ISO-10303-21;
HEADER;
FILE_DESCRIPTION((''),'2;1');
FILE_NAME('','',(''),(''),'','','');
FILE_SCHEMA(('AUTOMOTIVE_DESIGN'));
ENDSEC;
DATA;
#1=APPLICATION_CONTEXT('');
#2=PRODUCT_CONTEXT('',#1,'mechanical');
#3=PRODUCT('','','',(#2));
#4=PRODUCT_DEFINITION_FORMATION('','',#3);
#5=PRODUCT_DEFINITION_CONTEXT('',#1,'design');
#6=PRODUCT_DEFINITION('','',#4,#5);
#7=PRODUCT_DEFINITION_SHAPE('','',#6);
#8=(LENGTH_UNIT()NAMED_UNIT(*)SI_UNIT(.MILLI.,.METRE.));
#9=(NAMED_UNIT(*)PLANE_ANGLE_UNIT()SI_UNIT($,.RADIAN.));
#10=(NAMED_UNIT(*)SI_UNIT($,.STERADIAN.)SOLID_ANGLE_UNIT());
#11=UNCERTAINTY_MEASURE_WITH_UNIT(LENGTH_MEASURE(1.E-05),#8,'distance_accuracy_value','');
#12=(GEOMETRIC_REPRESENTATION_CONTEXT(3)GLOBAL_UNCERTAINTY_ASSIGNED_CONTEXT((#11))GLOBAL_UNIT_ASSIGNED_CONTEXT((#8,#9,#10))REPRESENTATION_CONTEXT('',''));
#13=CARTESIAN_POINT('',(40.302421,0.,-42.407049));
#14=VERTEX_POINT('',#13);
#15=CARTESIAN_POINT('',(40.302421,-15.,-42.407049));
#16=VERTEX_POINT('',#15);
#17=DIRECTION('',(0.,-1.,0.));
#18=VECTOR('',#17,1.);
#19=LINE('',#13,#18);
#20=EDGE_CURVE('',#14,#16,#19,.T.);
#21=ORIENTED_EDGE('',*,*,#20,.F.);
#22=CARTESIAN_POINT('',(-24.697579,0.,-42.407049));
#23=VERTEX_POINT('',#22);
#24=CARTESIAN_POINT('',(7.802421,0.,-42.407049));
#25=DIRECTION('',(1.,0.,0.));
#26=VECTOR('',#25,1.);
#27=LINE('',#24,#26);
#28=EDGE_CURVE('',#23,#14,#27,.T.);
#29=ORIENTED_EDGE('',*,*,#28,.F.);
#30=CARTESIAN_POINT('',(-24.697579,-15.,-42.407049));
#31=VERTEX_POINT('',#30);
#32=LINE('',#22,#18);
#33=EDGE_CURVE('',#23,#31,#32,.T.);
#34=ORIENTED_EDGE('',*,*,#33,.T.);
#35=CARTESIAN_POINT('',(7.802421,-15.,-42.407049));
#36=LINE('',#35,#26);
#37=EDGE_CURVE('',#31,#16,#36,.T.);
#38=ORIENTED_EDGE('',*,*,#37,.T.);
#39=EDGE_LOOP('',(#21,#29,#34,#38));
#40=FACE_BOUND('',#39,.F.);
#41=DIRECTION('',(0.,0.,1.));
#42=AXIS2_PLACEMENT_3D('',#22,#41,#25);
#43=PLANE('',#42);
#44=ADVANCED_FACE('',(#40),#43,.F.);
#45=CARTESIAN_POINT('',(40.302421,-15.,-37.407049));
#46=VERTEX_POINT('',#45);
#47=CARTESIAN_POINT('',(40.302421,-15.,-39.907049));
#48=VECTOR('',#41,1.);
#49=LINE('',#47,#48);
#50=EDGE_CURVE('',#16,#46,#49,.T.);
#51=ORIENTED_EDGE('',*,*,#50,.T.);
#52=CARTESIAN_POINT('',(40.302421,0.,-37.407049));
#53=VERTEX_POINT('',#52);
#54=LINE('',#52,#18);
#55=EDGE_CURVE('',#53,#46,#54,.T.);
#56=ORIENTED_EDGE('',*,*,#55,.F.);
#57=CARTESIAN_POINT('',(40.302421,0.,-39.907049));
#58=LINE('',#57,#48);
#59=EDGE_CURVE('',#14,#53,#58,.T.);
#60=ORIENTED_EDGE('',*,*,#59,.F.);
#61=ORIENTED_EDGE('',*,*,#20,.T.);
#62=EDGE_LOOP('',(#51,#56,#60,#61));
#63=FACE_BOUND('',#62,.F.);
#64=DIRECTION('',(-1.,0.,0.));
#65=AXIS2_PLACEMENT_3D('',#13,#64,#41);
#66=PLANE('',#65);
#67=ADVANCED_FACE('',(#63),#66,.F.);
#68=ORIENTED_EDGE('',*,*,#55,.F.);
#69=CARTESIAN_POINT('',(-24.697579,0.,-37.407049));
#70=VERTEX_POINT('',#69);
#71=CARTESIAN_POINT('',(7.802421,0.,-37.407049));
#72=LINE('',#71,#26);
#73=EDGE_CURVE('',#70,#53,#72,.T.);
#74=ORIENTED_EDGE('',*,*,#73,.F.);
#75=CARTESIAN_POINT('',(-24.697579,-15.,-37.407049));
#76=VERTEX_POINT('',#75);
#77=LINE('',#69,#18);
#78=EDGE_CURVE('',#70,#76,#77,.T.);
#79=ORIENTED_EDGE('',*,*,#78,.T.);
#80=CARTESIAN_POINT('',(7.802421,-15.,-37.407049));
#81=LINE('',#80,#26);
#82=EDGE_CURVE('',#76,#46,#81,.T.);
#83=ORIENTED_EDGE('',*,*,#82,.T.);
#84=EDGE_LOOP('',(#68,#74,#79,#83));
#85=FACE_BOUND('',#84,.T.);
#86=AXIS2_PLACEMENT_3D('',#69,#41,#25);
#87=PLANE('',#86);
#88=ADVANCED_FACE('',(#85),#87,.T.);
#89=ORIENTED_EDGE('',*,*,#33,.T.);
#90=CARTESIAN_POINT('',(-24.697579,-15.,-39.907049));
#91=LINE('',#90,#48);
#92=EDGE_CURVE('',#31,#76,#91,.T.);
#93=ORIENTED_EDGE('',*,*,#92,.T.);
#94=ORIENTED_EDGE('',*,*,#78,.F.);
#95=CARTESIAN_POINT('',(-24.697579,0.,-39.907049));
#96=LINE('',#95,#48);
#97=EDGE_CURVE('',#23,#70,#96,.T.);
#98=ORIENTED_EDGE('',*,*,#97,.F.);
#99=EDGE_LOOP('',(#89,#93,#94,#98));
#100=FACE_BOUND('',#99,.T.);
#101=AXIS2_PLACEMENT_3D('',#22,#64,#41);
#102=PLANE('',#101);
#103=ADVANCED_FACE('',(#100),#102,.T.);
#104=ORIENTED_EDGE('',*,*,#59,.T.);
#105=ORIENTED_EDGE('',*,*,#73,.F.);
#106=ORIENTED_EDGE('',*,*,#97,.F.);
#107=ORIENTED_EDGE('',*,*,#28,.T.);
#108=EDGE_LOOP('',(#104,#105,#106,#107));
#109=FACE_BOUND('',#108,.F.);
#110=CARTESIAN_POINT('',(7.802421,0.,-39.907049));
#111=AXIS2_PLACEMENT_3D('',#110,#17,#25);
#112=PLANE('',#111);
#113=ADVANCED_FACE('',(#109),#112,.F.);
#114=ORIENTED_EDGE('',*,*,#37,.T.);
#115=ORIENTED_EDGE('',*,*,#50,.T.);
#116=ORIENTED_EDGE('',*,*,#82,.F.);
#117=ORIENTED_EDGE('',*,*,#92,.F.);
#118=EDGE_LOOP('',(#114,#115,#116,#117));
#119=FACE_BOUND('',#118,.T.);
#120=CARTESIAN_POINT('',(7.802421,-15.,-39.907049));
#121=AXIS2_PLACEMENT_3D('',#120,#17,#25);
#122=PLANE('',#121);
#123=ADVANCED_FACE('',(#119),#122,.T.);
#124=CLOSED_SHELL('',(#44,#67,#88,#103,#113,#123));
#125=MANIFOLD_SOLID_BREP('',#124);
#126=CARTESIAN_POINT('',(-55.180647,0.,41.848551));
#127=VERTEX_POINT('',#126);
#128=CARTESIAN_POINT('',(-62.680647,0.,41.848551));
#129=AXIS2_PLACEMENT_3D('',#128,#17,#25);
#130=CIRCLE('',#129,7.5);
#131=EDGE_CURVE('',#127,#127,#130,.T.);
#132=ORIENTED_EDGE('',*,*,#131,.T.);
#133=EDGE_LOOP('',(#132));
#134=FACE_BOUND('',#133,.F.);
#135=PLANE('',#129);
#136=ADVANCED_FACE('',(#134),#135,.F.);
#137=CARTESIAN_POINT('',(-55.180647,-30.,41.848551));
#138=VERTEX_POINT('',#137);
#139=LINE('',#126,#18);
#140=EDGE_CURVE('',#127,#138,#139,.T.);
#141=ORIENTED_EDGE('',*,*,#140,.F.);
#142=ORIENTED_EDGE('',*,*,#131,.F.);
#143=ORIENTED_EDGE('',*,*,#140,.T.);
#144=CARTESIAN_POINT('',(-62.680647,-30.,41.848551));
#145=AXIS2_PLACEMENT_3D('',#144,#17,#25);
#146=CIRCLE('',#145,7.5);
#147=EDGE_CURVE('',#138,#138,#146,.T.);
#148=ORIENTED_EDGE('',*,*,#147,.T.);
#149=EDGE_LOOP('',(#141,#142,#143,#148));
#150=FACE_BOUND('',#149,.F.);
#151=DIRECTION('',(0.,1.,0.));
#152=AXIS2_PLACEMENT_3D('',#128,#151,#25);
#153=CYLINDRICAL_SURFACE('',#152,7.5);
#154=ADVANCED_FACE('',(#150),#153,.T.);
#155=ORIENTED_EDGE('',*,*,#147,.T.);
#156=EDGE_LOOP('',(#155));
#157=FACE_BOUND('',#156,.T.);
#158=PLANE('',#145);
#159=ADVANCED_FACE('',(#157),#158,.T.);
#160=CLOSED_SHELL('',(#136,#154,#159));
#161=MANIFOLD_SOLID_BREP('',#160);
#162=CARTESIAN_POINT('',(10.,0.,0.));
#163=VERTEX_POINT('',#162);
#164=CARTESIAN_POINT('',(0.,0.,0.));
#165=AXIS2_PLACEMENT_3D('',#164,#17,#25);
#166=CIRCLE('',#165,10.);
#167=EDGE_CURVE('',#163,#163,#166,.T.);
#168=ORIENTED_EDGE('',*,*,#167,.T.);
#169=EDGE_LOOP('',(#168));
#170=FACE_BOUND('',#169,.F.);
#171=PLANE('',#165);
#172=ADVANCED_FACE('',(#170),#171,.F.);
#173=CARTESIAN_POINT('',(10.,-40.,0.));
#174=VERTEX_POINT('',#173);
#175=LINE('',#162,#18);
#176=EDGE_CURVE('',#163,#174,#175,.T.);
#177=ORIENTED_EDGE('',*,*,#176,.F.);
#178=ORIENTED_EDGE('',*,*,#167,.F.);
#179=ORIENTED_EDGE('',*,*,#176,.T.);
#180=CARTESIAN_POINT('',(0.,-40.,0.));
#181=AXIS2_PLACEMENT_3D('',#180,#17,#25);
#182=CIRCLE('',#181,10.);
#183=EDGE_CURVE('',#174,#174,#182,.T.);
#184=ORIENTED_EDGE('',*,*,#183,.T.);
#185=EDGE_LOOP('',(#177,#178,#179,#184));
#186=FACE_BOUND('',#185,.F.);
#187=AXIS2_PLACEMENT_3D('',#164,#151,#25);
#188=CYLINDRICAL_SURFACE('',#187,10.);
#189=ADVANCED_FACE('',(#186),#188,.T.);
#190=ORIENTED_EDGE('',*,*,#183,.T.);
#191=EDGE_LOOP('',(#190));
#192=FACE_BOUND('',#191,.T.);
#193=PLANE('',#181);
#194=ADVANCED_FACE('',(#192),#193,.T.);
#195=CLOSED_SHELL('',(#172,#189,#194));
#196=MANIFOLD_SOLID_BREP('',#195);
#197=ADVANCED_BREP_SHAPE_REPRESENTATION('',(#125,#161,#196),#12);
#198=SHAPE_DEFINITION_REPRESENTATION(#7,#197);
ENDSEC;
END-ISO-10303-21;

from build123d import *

# Parameters (mm, degrees)
F0_R     = 7.5
F1_DEPTH = 30
F2_R     = 10
F3_DEPTH = 40
F4_W     = 65
F4_H     = 5
F5_DEPTH = 15


with BuildPart() as f1:
    # F0 (on Front) → F1 (new body)
    with BuildSketch(Plane.XZ):
        with Locations((-62.680647, 41.848551)):
            Circle(F0_R)
    extrude(amount=F1_DEPTH)


with BuildPart() as f3:
    # F2 (on Front) → F3 (new body)
    with BuildSketch(Plane.XZ):
        Circle(F2_R)
    extrude(amount=F3_DEPTH)


with BuildPart() as f5:
    # F4 (on Front) → F5 (new body)
    with BuildSketch(Plane.XZ):
        with Locations((7.802421, -39.907049)):
            Rectangle(F4_W, F4_H)
    extrude(amount=F5_DEPTH)


solid = Compound([f1.part, f3.part, f5.part])
